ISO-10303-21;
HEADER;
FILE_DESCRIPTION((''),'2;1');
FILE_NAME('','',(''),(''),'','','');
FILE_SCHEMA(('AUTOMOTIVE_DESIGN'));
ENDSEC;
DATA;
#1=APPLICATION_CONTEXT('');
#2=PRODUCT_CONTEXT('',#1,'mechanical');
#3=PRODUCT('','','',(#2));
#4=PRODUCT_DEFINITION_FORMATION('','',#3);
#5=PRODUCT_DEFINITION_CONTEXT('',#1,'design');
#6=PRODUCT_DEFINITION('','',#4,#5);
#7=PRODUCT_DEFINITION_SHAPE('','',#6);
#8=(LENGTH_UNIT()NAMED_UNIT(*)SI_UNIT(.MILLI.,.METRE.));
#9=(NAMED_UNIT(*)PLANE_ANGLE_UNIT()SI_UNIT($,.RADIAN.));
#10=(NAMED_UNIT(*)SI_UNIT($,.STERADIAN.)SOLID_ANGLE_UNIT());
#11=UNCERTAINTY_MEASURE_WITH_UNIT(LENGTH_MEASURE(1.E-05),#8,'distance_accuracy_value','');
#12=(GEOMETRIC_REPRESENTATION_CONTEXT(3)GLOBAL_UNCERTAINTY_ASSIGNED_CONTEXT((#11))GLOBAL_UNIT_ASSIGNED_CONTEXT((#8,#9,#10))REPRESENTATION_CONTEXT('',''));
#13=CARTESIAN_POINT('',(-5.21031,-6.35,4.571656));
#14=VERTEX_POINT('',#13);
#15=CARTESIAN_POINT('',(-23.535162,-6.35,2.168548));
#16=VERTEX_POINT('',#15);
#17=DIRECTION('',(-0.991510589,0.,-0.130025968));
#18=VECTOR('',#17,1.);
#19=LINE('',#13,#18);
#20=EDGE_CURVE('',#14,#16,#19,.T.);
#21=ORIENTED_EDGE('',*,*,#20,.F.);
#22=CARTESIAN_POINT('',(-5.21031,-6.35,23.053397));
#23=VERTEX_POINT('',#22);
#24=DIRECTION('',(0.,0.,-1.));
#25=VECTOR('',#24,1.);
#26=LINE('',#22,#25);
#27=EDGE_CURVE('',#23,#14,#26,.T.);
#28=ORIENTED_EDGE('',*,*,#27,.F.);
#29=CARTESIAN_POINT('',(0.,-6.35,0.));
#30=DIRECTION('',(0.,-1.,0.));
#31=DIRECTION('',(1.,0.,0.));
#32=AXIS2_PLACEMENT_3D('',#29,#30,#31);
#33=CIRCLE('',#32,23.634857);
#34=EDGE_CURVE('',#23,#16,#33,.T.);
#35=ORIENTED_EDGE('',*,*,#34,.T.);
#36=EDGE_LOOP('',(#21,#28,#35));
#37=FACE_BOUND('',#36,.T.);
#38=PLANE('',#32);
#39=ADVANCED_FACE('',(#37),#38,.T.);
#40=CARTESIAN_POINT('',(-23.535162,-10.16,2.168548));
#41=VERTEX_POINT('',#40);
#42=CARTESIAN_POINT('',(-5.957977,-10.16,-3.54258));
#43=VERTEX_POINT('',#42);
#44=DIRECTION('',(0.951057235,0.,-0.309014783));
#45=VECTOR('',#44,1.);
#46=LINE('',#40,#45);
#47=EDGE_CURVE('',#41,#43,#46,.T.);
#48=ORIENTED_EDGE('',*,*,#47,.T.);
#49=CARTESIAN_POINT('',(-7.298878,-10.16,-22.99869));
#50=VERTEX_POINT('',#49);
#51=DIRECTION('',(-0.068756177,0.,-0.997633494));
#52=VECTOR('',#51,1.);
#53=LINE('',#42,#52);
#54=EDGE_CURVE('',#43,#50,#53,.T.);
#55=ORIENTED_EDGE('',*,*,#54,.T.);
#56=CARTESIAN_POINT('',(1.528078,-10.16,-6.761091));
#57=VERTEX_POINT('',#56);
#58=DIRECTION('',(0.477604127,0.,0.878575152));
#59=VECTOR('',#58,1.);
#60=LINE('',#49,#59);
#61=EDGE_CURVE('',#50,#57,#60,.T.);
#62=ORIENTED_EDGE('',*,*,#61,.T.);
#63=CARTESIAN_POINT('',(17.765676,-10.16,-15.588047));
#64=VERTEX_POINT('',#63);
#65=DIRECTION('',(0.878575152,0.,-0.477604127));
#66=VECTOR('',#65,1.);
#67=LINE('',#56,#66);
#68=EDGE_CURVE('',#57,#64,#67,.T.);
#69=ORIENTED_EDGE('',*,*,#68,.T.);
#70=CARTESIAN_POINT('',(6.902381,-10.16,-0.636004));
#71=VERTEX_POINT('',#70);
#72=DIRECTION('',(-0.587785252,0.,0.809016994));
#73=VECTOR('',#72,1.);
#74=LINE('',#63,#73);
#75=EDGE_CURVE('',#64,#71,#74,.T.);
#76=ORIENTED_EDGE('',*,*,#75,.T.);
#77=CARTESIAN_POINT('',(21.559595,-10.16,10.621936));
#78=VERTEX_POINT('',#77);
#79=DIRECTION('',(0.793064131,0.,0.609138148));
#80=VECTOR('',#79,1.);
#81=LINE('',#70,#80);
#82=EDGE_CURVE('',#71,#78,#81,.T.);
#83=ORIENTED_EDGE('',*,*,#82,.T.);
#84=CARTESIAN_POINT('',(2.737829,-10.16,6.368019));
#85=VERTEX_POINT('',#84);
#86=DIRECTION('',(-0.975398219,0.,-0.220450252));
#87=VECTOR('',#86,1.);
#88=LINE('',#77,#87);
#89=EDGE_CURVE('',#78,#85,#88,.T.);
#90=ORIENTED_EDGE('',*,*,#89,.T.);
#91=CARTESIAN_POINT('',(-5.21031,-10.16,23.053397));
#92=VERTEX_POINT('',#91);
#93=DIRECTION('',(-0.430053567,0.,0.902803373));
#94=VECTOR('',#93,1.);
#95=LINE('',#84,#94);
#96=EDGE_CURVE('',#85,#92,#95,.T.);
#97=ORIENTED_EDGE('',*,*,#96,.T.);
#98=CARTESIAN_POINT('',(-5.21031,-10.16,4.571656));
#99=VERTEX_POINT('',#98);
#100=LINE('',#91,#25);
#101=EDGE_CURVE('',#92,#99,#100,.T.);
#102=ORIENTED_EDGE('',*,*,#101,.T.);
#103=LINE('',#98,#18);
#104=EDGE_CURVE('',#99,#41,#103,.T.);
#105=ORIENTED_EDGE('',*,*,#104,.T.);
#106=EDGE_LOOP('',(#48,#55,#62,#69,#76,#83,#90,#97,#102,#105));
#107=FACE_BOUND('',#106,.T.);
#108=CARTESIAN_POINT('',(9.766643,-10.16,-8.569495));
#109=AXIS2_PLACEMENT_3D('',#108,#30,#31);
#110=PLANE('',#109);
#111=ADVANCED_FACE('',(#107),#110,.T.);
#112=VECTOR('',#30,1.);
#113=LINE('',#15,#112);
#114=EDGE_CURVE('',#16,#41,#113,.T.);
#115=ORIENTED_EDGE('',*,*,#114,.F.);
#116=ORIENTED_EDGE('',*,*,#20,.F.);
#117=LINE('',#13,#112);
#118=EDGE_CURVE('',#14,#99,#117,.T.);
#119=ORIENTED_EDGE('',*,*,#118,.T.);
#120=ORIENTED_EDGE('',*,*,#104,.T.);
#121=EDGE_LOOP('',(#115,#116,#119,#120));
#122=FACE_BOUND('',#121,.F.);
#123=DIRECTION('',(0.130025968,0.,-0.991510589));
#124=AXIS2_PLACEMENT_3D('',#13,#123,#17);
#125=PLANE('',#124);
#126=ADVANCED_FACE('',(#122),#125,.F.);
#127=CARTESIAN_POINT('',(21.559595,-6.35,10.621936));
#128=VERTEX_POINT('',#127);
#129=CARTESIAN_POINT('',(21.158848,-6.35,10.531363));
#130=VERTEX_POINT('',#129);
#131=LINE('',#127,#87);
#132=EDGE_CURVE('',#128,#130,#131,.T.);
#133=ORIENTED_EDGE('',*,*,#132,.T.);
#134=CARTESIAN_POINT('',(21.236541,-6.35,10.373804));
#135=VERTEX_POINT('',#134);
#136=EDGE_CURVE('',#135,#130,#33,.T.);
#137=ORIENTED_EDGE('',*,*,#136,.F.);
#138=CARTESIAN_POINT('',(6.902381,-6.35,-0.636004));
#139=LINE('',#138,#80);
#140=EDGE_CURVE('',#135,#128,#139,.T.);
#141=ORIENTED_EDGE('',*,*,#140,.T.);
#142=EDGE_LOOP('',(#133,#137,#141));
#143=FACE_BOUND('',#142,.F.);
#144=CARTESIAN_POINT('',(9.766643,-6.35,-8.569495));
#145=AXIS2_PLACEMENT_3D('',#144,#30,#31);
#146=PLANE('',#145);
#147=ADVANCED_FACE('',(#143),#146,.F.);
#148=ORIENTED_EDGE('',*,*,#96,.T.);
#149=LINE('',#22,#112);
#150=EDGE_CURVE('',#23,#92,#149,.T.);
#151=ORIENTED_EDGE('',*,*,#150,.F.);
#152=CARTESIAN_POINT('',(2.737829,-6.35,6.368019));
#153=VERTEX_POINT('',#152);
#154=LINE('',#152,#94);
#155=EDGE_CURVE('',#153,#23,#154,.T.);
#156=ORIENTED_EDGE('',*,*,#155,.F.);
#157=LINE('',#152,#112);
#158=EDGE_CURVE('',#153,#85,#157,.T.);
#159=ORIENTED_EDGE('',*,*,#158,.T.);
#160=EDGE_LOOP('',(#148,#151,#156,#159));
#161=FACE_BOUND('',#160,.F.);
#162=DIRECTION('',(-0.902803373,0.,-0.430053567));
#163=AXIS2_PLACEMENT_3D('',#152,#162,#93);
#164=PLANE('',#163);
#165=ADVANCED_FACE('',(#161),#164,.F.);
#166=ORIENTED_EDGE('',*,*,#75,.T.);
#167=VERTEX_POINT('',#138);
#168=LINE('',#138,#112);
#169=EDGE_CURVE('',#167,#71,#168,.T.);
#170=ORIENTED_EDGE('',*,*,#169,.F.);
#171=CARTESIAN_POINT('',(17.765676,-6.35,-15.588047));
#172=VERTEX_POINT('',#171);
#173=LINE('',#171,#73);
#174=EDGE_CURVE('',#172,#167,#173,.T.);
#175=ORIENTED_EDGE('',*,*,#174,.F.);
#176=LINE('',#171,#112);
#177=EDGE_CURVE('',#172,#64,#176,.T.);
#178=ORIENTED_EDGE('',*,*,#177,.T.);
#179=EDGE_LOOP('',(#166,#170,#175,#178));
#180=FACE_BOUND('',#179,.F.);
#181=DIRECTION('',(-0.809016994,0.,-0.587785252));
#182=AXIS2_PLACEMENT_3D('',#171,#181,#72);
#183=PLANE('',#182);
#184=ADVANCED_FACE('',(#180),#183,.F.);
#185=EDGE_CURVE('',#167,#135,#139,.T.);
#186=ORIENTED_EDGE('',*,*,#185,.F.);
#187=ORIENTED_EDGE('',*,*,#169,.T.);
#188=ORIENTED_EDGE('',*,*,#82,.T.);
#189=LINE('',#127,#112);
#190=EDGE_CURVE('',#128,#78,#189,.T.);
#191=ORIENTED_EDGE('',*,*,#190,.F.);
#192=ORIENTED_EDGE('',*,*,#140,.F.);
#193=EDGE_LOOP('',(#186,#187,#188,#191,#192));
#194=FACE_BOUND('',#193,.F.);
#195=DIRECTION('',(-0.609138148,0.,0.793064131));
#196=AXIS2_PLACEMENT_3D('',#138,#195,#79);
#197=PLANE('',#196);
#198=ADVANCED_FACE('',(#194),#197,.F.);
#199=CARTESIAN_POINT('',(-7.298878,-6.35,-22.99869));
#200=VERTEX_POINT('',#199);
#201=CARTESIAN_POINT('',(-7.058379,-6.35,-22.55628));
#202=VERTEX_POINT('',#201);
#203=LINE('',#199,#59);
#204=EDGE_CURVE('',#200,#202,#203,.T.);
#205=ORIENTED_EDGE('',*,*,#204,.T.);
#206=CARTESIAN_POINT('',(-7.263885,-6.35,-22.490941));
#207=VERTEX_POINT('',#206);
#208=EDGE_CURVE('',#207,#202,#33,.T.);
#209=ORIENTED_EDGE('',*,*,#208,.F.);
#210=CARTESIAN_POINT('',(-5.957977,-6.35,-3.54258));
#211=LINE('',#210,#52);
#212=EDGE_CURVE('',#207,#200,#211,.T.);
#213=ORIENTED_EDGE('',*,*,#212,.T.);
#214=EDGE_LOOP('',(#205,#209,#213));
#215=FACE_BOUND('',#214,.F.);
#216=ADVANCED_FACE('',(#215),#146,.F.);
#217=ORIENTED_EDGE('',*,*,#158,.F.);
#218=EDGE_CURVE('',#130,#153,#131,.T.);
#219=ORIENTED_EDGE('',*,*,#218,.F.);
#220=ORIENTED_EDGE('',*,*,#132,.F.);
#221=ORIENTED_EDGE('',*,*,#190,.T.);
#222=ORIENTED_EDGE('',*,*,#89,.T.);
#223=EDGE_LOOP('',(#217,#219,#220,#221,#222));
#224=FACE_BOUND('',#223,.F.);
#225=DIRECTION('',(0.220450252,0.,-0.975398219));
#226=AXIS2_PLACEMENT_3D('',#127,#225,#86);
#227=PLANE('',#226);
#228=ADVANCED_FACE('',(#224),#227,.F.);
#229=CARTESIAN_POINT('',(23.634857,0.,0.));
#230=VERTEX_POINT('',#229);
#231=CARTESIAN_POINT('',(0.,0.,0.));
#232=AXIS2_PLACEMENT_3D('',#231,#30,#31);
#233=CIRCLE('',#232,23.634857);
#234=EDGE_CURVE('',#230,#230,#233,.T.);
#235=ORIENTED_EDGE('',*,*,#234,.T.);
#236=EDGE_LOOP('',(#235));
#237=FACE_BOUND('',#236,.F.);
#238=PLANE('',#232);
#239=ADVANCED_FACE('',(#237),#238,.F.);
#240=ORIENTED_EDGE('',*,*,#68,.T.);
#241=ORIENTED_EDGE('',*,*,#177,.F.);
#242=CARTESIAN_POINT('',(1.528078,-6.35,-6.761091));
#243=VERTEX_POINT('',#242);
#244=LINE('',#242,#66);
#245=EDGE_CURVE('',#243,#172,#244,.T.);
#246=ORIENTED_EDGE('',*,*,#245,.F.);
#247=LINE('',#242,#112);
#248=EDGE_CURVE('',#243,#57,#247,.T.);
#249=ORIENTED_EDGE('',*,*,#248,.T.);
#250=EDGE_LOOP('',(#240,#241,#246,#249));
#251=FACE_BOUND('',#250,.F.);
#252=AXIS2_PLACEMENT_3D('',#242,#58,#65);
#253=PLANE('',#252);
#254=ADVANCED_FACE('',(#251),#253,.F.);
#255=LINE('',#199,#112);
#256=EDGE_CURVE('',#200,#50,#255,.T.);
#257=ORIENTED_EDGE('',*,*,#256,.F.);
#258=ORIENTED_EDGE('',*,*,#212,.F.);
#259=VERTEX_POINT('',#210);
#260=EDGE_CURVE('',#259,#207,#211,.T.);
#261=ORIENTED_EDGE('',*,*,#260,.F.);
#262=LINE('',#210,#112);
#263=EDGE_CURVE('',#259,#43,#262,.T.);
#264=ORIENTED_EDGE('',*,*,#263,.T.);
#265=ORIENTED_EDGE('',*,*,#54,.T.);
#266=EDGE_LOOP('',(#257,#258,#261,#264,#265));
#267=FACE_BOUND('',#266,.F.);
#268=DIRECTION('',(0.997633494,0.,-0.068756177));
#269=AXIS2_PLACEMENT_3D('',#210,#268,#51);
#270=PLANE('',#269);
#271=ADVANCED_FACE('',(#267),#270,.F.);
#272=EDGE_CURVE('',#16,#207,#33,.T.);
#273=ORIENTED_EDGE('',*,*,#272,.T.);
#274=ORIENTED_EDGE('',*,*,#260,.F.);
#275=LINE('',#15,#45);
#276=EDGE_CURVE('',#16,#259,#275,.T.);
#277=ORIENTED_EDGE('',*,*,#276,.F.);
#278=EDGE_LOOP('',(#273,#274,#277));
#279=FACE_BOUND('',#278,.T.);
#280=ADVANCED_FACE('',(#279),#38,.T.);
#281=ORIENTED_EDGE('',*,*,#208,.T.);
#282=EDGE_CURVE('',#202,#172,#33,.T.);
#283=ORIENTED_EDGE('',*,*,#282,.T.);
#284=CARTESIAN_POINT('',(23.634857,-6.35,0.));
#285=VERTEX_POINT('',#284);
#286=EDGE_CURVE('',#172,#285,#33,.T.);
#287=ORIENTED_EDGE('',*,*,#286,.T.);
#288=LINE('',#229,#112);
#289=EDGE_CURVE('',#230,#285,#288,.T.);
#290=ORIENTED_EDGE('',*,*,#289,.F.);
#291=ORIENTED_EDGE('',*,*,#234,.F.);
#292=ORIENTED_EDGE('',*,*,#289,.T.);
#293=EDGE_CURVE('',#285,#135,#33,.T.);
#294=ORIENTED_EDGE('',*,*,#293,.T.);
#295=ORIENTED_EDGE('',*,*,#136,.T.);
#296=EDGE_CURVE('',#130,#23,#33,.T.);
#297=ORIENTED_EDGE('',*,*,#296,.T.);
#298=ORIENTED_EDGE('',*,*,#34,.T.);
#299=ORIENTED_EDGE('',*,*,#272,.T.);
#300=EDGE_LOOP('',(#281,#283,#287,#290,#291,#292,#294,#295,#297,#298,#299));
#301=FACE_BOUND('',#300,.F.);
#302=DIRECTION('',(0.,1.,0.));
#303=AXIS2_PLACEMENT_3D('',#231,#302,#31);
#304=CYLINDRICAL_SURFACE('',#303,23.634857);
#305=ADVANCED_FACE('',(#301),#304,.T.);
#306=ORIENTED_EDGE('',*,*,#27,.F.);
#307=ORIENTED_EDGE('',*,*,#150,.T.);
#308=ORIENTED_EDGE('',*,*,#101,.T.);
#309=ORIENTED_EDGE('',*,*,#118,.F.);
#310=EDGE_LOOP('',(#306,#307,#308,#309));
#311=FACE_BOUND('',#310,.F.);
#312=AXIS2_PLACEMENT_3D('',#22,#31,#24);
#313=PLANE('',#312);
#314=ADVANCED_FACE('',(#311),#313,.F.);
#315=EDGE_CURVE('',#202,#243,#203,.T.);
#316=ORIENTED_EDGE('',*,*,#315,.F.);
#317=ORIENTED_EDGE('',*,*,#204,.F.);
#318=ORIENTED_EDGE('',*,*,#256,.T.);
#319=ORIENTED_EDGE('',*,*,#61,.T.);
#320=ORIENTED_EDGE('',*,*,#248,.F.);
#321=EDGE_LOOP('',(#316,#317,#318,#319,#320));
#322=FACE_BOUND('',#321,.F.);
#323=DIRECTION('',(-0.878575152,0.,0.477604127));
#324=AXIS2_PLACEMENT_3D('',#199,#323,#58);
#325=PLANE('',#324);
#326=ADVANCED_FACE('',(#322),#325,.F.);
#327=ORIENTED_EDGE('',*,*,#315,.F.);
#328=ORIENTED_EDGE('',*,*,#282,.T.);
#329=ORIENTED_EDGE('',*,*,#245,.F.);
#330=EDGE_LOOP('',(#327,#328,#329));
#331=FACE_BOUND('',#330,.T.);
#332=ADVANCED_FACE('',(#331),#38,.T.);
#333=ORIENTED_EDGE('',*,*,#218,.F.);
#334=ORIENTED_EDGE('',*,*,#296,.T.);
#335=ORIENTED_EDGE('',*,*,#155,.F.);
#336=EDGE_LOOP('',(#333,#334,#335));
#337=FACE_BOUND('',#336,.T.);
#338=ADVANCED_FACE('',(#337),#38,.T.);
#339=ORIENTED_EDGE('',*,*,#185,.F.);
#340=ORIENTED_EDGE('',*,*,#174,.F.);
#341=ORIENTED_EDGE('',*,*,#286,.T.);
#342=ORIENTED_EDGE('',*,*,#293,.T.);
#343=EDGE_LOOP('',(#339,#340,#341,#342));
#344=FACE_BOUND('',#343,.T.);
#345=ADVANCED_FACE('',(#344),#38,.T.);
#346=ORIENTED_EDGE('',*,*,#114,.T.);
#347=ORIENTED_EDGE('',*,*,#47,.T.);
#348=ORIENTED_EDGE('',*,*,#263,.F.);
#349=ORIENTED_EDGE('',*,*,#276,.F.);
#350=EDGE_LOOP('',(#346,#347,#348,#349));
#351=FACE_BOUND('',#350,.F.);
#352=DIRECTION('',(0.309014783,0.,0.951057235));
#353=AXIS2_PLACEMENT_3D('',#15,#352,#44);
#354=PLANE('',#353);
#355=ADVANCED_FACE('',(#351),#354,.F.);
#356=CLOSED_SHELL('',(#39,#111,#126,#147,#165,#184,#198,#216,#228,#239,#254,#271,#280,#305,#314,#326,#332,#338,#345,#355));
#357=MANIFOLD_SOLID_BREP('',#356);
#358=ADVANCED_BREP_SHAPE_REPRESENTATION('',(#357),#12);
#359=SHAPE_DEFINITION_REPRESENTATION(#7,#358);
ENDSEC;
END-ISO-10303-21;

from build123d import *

# Parameters (mm, degrees)
F0_R     = 23.6348568864
F1_DEPTH = 6.35
F3_DEPTH = 3.81


with BuildPart() as f1:
    # F0 (on Front) → F1 (new body)
    with BuildSketch(Plane.XZ):
        Circle(F0_R)
    extrude(amount=F1_DEPTH)

    # F2 (on face) → F3 (join)
    with BuildSketch(Plane.XZ.offset(6.35)):
        Polygon((17.7656764274, -15.5880467384), (6.9023813455, -0.6360037909), (1.5280775877, -6.7610907365), align=None)
        Polygon((1.5280775877, -6.7610907365), (6.9023813455, -0.6360037909), (2.7378286872, 6.3680187768), (-5.2103101615, 4.5716558359), (-5.9579774589, -3.5425800853), align=None)
        Polygon((2.7378286872, 6.3680187768), (6.9023813455, -0.6360037909), (21.559595306, 10.6219359112), align=None)
        Polygon((-7.2988784141, -22.9986895762), (1.5280775877, -6.7610907365), (-5.9579774589, -3.5425800853), align=None)
        Polygon((-5.2103101615, 4.5716558359), (2.7378286872, 6.3680187768), (-5.2103101615, 23.0533973215), align=None)
        Polygon((-23.5351621744, 2.1685482389), (-5.9579774589, -3.5425800853), (-5.2103101615, 4.5716558359), align=None)
    extrude(amount=F3_DEPTH)


solid = f1.part
